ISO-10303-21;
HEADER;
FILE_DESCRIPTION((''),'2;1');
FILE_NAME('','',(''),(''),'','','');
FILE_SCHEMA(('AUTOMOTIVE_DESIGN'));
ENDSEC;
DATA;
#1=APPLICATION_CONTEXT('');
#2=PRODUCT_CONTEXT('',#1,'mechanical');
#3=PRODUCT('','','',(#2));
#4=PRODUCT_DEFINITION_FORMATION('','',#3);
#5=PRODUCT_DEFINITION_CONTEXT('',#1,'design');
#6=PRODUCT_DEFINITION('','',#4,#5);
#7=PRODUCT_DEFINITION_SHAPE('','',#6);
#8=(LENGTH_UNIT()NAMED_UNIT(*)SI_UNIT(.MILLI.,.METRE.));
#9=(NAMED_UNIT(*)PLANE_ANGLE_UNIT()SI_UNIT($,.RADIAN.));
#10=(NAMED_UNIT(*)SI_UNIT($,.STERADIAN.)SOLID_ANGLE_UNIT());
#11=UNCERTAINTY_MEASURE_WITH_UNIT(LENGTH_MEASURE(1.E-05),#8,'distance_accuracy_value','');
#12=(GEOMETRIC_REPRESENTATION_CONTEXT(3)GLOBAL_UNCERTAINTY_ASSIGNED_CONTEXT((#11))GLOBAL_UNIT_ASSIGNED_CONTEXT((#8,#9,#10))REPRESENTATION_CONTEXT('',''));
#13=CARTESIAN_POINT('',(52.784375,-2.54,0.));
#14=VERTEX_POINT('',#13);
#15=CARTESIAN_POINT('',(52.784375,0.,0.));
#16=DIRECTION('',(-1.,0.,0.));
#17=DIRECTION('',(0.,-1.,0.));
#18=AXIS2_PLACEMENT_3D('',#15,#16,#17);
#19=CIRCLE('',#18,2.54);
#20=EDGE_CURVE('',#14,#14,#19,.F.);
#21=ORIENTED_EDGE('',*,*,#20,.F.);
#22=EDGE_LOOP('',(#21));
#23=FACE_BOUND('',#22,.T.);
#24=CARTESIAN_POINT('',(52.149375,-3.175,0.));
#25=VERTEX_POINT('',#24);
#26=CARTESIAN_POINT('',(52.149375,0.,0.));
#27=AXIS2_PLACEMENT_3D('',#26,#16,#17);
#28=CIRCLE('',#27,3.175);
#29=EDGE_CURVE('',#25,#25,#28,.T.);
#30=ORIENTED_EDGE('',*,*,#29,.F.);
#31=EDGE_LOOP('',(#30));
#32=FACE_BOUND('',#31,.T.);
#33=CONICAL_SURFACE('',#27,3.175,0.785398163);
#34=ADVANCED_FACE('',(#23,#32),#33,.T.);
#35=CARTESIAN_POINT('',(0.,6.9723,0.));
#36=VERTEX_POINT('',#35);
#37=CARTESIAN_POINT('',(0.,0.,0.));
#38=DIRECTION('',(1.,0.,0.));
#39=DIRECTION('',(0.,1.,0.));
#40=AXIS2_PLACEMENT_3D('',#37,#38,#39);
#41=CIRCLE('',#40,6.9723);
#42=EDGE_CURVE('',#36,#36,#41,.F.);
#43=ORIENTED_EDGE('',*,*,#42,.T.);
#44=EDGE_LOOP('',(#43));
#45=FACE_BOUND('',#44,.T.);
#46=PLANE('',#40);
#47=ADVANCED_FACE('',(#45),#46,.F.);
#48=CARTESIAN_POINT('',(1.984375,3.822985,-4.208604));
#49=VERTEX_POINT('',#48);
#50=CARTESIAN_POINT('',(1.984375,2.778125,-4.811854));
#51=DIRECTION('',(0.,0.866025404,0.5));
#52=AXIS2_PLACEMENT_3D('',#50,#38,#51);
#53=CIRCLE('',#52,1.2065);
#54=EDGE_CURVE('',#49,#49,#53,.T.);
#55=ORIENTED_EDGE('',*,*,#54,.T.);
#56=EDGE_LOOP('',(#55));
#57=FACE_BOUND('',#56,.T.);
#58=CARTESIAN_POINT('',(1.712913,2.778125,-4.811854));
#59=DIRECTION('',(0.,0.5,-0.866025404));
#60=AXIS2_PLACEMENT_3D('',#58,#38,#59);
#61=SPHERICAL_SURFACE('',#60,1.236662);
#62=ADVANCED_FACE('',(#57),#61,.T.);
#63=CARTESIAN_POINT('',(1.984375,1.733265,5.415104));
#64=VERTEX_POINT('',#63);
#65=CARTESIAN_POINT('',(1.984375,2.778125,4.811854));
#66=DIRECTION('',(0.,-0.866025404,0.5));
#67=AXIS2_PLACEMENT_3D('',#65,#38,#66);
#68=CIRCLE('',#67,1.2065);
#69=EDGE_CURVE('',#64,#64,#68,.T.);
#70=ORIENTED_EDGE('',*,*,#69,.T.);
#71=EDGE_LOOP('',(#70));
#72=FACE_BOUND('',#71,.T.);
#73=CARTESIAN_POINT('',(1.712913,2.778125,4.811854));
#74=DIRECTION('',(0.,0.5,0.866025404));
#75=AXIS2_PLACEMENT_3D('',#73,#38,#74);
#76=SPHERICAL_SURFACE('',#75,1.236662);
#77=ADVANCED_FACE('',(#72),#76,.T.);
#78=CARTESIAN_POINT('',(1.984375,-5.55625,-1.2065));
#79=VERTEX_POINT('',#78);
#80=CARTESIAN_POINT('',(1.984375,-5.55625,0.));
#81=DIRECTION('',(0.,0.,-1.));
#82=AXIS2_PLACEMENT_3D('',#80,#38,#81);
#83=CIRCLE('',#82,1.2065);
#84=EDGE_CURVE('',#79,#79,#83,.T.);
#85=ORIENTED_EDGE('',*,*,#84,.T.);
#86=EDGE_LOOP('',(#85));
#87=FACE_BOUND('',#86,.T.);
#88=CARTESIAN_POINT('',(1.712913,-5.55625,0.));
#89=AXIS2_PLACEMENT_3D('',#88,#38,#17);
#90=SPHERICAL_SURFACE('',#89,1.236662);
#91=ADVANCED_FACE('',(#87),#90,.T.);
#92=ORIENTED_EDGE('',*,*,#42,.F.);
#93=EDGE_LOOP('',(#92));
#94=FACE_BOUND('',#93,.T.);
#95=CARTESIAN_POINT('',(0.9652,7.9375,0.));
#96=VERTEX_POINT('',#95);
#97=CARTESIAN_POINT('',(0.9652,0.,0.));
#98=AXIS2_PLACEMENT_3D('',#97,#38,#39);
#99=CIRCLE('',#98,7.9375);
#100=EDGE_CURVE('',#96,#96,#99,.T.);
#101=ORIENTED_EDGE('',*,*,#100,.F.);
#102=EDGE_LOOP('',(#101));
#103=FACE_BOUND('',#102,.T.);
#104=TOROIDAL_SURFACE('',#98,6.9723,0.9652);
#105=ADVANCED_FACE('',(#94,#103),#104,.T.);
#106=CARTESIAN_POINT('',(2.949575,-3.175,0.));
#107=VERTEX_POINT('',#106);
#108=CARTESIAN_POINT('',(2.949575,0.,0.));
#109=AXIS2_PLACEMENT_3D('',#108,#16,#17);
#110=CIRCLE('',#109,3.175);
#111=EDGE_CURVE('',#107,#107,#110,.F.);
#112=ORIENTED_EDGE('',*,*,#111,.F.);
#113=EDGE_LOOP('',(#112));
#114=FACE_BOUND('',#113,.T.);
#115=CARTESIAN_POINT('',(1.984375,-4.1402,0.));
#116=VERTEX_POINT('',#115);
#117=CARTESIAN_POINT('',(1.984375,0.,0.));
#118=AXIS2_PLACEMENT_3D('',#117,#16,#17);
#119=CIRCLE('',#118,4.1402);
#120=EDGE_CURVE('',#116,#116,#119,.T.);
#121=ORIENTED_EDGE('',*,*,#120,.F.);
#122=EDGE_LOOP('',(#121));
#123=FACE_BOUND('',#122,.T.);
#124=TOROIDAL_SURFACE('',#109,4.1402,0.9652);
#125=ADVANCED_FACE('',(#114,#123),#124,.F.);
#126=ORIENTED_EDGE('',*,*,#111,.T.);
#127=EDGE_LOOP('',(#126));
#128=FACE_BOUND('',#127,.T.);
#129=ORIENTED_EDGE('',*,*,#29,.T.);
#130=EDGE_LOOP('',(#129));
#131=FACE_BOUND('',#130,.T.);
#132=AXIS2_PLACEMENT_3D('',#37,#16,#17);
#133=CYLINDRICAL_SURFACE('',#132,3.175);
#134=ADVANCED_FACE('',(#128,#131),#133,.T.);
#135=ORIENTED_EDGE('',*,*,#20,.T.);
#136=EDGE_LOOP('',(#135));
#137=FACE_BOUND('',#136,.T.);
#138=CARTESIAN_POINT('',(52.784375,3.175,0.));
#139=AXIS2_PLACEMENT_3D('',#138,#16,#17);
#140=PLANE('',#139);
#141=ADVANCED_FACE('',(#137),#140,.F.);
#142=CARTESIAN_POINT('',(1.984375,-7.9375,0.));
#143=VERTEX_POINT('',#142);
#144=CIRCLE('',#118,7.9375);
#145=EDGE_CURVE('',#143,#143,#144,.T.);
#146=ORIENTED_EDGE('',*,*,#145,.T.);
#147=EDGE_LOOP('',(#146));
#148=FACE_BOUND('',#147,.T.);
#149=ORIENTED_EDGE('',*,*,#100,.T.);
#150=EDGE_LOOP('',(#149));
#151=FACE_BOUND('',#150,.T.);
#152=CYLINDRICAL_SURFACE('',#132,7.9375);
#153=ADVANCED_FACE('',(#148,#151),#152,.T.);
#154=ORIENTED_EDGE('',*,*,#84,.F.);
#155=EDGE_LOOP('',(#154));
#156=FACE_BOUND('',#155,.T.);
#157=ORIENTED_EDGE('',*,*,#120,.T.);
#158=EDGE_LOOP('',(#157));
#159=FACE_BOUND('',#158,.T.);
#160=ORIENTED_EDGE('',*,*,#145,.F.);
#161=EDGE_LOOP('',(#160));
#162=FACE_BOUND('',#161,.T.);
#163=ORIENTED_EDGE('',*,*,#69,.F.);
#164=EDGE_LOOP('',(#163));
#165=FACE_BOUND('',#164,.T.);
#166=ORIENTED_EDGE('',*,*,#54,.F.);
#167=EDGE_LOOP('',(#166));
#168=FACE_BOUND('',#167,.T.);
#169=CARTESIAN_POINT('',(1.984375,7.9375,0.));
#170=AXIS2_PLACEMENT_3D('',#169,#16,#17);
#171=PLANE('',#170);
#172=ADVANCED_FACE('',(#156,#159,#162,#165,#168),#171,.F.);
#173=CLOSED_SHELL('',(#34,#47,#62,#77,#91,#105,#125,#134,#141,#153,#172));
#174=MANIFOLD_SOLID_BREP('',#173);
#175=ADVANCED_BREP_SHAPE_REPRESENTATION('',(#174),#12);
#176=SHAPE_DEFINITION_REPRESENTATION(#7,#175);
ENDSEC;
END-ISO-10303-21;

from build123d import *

# Parameters (mm, degrees)
CHAMFER1_SIZE     = 0.635
CIRPATTERN1_COUNT = 3
FILLET1_R         = 0.9652


with BuildPart() as part:
    # Sketch1 → Revolve1 (revolve)
    with BuildSketch(Plane.XY, mode=Mode.PRIVATE) as revolve1_sk:
        Polygon((0, 0), (0, 7.9375), (1.984375, 7.9375), (1.984375, 3.175), (52.784375, 3.175), (52.784375, 0), align=None)
    revolve(revolve1_sk.sketch.rotate(Axis((0, 0, 0), (1, 0, 0)), 180), axis=Axis((0, 0, 0), (1, 0, 0)))

    # Chamfer1
    chamfer1_edges = [part.edges().sort_by_distance(p)[0] for p in [
        (52.784375, 3.175, 0),
    ]]
    chamfer(chamfer1_edges, length=CHAMFER1_SIZE)

    # Sketch2 → Revolve2 (revolve)
    with BuildSketch(Plane.XY, mode=Mode.PRIVATE) as revolve2_sk:
        with BuildLine():
            Line((1.984375, -5.55625), (2.949575, -5.55625))
            ThreePointArc((2.949575, -5.55625), (2.678583674, -4.783713061), (1.984375, -4.34975))
            Line((1.984375, -4.34975), (1.984375, -5.55625))
        make_face()
    revolve2 = revolve(revolve2_sk.sketch.rotate(Axis((1.984375, -5.55625, 0), (-1, 0, 0)), 180), axis=Axis((1.984375, -5.55625, 0), (-1, 0, 0)))

    # CirPattern1: Revolve2 ×3 about axis
    cirpattern1_axis = Axis((0, 0, 0), (1, 0, 0))
    for i in range(1, CIRPATTERN1_COUNT):
        add(revolve2.rotate(cirpattern1_axis, i * 360 / CIRPATTERN1_COUNT))

    # Fillet1
    fillet1_edges = [part.edges().sort_by_distance(p)[0] for p in [
        (1.984375, 3.175, 0),
        (0, 7.9375, 0),
    ]]
    fillet(fillet1_edges, radius=FILLET1_R)


solid = part.part
